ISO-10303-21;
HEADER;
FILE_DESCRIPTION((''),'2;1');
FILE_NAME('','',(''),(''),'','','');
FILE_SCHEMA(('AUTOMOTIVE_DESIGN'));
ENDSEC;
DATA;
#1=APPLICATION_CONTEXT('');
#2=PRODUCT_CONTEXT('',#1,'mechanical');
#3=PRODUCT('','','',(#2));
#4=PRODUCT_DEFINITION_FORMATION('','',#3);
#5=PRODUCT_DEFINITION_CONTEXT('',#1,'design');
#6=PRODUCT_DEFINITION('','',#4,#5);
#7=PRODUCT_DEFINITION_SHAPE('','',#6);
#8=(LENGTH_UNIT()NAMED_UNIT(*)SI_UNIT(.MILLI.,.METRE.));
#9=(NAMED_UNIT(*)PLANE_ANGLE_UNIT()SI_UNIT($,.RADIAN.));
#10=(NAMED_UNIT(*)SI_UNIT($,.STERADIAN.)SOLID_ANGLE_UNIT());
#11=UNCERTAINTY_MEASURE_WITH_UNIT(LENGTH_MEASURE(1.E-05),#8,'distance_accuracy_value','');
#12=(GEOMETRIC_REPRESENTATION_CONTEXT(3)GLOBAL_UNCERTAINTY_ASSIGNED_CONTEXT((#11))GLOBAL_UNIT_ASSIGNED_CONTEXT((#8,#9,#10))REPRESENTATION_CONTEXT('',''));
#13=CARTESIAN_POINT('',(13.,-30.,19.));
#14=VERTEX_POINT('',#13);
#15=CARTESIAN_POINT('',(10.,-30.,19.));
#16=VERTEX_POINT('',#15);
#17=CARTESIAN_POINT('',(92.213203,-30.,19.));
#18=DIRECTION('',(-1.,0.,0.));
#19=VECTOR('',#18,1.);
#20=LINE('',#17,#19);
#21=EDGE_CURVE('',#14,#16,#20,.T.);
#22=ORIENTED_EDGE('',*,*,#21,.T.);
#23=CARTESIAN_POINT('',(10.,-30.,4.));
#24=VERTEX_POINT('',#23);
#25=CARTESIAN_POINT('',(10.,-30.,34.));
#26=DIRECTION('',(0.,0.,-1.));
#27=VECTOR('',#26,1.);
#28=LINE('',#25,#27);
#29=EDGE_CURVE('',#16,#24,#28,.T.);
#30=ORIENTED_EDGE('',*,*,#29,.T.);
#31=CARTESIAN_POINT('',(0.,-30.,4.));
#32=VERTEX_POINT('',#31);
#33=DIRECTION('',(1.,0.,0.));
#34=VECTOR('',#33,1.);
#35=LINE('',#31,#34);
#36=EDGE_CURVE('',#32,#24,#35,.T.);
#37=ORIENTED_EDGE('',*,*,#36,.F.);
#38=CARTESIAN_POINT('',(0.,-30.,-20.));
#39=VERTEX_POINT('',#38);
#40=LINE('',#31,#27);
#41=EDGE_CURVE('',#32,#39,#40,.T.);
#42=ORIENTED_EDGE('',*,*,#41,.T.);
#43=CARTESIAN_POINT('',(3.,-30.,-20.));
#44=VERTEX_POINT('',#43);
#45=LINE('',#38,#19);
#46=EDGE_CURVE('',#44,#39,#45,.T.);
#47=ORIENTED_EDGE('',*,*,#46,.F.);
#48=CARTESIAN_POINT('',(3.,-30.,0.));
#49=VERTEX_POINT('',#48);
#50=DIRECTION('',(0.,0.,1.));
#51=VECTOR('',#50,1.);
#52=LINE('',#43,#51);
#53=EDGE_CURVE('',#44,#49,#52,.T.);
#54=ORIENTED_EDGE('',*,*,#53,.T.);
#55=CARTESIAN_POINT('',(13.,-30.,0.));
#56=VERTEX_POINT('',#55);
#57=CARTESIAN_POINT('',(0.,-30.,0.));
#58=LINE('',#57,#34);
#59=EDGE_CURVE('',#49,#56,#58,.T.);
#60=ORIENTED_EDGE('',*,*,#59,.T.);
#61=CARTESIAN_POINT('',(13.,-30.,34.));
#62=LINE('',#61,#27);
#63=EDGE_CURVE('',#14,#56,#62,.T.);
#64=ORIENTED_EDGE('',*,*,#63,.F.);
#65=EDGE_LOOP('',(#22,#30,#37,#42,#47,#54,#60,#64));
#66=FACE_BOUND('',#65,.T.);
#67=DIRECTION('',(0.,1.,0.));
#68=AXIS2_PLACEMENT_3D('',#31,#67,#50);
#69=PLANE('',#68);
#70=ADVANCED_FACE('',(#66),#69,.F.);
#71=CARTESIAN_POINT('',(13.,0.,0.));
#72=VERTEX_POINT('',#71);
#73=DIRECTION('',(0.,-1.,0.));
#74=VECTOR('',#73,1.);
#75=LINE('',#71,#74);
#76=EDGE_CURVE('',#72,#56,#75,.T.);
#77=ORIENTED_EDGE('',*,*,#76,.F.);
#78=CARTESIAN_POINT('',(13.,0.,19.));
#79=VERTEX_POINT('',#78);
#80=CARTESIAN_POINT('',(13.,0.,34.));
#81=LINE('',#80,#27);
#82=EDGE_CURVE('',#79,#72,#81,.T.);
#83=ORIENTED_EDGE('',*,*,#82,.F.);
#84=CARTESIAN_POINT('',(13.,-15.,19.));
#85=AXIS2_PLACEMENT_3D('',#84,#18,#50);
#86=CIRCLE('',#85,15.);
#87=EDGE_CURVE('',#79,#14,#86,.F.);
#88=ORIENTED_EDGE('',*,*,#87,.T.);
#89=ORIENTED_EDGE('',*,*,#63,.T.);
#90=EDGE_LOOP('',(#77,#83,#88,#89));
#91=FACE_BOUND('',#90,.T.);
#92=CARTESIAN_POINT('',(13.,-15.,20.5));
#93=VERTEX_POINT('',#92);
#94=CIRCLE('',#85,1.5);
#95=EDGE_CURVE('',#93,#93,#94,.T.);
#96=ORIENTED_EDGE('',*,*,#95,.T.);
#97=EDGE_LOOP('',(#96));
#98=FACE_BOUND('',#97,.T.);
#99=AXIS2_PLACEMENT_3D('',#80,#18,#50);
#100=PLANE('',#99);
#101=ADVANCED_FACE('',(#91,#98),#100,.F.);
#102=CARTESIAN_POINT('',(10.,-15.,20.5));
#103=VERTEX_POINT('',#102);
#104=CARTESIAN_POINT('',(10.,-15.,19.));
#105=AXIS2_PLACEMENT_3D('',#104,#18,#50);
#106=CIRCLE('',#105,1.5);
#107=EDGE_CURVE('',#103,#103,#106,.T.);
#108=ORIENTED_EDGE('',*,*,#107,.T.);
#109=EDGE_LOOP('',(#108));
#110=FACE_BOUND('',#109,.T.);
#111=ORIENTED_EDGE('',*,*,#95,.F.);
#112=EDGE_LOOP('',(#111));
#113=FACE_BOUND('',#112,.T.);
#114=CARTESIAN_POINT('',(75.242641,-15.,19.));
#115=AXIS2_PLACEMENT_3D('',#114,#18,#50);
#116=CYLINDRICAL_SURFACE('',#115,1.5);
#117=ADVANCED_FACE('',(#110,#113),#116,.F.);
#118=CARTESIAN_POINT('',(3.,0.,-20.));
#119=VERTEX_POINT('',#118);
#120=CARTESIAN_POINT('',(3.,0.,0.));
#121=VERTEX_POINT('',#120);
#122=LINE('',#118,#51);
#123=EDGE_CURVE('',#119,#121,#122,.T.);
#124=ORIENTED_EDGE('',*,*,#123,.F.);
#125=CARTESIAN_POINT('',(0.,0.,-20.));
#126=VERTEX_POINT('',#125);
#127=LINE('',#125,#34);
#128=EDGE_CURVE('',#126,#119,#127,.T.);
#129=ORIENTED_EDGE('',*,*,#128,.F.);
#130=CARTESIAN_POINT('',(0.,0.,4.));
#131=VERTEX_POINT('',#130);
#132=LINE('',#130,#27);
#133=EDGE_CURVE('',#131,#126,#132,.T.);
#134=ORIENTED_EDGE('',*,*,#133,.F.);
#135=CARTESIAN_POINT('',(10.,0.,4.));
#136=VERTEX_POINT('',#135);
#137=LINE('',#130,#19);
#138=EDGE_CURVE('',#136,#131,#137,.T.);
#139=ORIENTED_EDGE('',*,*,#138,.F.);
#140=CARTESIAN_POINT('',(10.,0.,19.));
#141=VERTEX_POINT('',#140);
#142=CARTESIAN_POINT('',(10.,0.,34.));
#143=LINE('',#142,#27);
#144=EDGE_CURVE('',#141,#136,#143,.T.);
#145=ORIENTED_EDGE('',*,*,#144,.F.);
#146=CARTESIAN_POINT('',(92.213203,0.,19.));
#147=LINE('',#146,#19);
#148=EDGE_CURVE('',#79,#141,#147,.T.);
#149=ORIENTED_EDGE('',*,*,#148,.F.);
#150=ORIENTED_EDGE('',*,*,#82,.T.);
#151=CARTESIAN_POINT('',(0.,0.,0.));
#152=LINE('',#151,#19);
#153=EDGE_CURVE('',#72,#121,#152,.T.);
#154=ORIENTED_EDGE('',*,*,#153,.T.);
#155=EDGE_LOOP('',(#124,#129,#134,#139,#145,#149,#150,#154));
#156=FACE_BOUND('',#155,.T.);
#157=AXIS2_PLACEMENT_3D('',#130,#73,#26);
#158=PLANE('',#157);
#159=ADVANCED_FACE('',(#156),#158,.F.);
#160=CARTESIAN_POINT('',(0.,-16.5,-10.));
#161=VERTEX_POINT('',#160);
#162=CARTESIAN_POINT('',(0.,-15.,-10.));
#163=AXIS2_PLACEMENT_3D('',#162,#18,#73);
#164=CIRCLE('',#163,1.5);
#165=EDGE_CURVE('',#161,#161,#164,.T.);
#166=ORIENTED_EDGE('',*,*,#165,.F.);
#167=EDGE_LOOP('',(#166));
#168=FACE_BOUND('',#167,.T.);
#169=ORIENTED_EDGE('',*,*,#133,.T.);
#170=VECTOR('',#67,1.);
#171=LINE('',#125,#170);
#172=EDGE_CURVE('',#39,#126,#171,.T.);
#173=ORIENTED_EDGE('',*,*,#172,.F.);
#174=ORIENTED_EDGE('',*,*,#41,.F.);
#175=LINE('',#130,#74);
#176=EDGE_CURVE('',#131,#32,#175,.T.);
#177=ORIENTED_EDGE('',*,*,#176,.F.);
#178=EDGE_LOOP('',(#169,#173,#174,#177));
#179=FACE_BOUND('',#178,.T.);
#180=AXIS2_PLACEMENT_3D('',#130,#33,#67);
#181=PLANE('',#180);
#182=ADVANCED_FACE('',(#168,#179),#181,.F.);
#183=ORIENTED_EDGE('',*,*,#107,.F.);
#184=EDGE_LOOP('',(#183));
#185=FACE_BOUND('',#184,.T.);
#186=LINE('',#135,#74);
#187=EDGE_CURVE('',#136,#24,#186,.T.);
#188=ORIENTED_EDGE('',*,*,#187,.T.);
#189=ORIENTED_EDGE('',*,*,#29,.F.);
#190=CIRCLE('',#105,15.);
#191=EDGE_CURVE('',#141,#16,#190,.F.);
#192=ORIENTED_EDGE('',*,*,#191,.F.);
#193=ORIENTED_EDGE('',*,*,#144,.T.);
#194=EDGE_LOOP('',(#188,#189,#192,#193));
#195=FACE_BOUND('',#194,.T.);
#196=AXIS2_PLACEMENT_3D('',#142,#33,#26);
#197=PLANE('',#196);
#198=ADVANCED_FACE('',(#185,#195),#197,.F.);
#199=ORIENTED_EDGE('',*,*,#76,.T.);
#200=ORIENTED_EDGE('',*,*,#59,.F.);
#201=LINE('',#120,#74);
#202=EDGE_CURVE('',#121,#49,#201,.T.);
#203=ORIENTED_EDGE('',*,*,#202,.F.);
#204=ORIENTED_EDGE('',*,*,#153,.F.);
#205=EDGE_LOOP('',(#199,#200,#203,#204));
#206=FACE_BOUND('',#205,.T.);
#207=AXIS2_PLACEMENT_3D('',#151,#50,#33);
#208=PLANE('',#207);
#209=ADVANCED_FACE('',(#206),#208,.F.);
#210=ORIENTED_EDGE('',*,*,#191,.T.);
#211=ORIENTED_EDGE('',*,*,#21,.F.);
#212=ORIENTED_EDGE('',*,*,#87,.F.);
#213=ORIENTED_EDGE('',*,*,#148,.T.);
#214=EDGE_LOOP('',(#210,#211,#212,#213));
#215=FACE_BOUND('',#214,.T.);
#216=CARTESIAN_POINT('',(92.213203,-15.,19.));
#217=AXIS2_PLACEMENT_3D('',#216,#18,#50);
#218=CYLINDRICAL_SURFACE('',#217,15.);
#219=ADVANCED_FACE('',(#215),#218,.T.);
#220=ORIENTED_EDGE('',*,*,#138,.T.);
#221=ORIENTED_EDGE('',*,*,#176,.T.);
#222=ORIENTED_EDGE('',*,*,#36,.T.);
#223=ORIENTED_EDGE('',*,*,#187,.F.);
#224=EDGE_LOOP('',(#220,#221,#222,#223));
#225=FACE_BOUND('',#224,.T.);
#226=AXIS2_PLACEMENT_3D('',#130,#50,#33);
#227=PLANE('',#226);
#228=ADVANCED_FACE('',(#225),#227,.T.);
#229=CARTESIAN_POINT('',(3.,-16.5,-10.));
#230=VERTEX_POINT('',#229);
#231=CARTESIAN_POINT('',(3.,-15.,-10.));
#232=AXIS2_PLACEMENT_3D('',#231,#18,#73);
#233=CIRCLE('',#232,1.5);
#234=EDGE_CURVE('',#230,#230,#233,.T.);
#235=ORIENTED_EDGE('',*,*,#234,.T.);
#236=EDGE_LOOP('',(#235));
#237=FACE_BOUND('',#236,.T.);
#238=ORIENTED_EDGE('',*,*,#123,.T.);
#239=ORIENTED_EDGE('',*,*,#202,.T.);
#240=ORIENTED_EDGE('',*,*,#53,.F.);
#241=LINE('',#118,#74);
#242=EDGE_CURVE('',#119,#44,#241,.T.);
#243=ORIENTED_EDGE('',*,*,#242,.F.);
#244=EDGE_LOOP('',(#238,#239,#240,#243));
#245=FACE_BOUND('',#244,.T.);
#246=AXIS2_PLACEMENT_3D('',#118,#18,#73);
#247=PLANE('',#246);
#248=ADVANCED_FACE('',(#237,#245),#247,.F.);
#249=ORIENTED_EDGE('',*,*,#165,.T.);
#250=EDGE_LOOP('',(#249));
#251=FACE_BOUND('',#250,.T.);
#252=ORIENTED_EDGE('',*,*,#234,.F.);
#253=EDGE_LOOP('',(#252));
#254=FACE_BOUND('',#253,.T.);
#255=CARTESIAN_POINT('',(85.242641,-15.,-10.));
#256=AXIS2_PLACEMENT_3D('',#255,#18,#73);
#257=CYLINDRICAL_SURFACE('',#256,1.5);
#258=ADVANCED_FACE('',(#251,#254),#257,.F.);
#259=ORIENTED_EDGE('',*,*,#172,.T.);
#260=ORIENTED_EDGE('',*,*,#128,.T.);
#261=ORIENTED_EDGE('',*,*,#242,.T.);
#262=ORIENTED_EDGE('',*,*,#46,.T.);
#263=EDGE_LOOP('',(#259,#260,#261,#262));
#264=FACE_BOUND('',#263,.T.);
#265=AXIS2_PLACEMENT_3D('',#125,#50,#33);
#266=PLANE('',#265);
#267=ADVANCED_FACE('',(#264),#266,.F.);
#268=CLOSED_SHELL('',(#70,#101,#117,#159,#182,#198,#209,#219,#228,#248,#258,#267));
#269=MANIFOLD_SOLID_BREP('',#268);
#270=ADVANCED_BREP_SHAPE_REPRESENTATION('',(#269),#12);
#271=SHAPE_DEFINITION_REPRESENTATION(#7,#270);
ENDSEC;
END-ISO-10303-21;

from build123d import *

# Parameters (mm, degrees)
SKETCH_1_W          = 81
SKETCH_1_H          = 30
EXTRUDE_1_DEPTH     = 4
SKETCH_2_W          = 3
SKETCH_2_H          = 30
EXTRUDE_2_DEPTH     = 20
CUT_EXTRUDE_1_REACH = 90.662
SKETCH_3_R          = 1.5
SKETCH_4_W          = 3
SKETCH_4_H          = 30
EXTRUDE_3_DEPTH     = 30
CUT_EXTRUDE_2_REACH = 86.244
CUT_EXTRUDE_3_REACH = 86.244
SKETCH_8_R          = 1.5
SKETCH_9_W          = 68
SKETCH_9_H          = 54
CUT_EXTRUDE_4_DEPTH = 30


with BuildPart() as part:
    # 草图1 → 凸台-拉伸1 (new body)
    with BuildSketch(Plane.XY):
        with Locations((40.5, -15)):
            Rectangle(SKETCH_1_W, SKETCH_1_H)
    extrude(amount=EXTRUDE_1_DEPTH)

    # 草图2 → 凸台-拉伸2 (add)
    with BuildSketch(Plane(origin=(0, 0, 0), x_dir=(-1, 0, 0), z_dir=(0, 0, -1))):
        with Locations((-1.5, -15)):
            Rectangle(SKETCH_2_W, SKETCH_2_H)
        with Locations((-79.5, -15)):
            Rectangle(SKETCH_2_W, SKETCH_2_H)
    extrude(amount=EXTRUDE_2_DEPTH)

    # 切除-拉伸1: up to this face of the body (flat: up to its plane)
    cut_extrude_1_end = Plane(part.part.faces().sort_by_distance((81, -15, -8))[0])
    # 草图3 → 切除-拉伸1 (cut, up to the picked face)
    with BuildSketch(Plane.ZY, mode=Mode.PRIVATE) as cut_extrude_1_sk1:
        with Locations((-10, -15)):
            Circle(SKETCH_3_R)
    cut_extrude_1_tool1 = split(extrude(cut_extrude_1_sk1.sketch, amount=-CUT_EXTRUDE_1_REACH, mode=Mode.PRIVATE), bisect_by=cut_extrude_1_end, keep=Keep.BOTH, mode=Mode.PRIVATE)
    add(cut_extrude_1_tool1.solids().sort_by(Axis((0, -15, -10), (1, 0, 0)))[0], mode=Mode.SUBTRACT)

    # 草图4 → 凸台-拉伸3 (add)
    with BuildSketch(Plane.XY.offset(4)):
        with Locations((11.5, -15)):
            Rectangle(SKETCH_4_W, SKETCH_4_H)
        with Locations((69.5, -15)):
            Rectangle(SKETCH_4_W, SKETCH_4_H)
    extrude(amount=EXTRUDE_3_DEPTH)

    # 切除-拉伸2: up to this face of the body (flat: up to its plane)
    cut_extrude_2_end = Plane(part.part.faces().sort_by_distance((71, -15, 19))[0])
    # 草图7 → 切除-拉伸2 (cut, up to the picked face)
    with BuildSketch(Plane.ZY.offset(-10), mode=Mode.PRIVATE) as cut_extrude_2_sk1:
        with BuildLine():
            Line((34, 0), (19, 0))
            ThreePointArc((19, 0), (29.606601718, -4.393398282), (34, -15))
            Line((34, -15), (34, 0))
        make_face()
    cut_extrude_2_tool1 = split(extrude(cut_extrude_2_sk1.sketch, amount=-CUT_EXTRUDE_2_REACH, mode=Mode.PRIVATE), bisect_by=cut_extrude_2_end, keep=Keep.BOTH, mode=Mode.PRIVATE)
    # 草图7 → 切除-拉伸2 (cut, up to the picked face)
    with BuildSketch(Plane.ZY.offset(-10), mode=Mode.PRIVATE) as cut_extrude_2_sk2:
        with BuildLine():
            ThreePointArc((34, -15), (29.606601718, -25.606601718), (19, -30))
            Line((19, -30), (34, -30))
            Line((34, -30), (34, -15))
        make_face()
    cut_extrude_2_tool2 = split(extrude(cut_extrude_2_sk2.sketch, amount=-CUT_EXTRUDE_2_REACH, mode=Mode.PRIVATE), bisect_by=cut_extrude_2_end, keep=Keep.BOTH, mode=Mode.PRIVATE)
    add(cut_extrude_2_tool1.solids().sort_by(Axis((10, -3.350519, 30.649481), (1, 0, 0)))[0], mode=Mode.SUBTRACT)
    add(cut_extrude_2_tool2.solids().sort_by(Axis((10, -26.649481, 30.649481), (1, 0, 0)))[0], mode=Mode.SUBTRACT)

    # 切除-拉伸3: up to this face of the body (flat: up to its plane)
    cut_extrude_3_end = Plane(part.part.faces().sort_by_distance((71, -15, 17.599752116))[0])
    # 草图8 → 切除-拉伸3 (cut, up to the picked face)
    with BuildSketch(Plane.ZY.offset(-10), mode=Mode.PRIVATE) as cut_extrude_3_sk1:
        with Locations((19, -15)):
            Circle(SKETCH_8_R)
    cut_extrude_3_tool1 = split(extrude(cut_extrude_3_sk1.sketch, amount=-CUT_EXTRUDE_3_REACH, mode=Mode.PRIVATE), bisect_by=cut_extrude_3_end, keep=Keep.BOTH, mode=Mode.PRIVATE)
    add(cut_extrude_3_tool1.solids().sort_by(Axis((10, -15, 19), (1, 0, 0)))[0], mode=Mode.SUBTRACT)

    # 草图9 → 切除-拉伸4 (cut)
    with BuildSketch(Plane.XZ.offset(30)):
        with Locations((47, 7)):
            Rectangle(SKETCH_9_W, SKETCH_9_H)
    extrude(amount=-CUT_EXTRUDE_4_DEPTH, mode=Mode.SUBTRACT)


solid = part.part
